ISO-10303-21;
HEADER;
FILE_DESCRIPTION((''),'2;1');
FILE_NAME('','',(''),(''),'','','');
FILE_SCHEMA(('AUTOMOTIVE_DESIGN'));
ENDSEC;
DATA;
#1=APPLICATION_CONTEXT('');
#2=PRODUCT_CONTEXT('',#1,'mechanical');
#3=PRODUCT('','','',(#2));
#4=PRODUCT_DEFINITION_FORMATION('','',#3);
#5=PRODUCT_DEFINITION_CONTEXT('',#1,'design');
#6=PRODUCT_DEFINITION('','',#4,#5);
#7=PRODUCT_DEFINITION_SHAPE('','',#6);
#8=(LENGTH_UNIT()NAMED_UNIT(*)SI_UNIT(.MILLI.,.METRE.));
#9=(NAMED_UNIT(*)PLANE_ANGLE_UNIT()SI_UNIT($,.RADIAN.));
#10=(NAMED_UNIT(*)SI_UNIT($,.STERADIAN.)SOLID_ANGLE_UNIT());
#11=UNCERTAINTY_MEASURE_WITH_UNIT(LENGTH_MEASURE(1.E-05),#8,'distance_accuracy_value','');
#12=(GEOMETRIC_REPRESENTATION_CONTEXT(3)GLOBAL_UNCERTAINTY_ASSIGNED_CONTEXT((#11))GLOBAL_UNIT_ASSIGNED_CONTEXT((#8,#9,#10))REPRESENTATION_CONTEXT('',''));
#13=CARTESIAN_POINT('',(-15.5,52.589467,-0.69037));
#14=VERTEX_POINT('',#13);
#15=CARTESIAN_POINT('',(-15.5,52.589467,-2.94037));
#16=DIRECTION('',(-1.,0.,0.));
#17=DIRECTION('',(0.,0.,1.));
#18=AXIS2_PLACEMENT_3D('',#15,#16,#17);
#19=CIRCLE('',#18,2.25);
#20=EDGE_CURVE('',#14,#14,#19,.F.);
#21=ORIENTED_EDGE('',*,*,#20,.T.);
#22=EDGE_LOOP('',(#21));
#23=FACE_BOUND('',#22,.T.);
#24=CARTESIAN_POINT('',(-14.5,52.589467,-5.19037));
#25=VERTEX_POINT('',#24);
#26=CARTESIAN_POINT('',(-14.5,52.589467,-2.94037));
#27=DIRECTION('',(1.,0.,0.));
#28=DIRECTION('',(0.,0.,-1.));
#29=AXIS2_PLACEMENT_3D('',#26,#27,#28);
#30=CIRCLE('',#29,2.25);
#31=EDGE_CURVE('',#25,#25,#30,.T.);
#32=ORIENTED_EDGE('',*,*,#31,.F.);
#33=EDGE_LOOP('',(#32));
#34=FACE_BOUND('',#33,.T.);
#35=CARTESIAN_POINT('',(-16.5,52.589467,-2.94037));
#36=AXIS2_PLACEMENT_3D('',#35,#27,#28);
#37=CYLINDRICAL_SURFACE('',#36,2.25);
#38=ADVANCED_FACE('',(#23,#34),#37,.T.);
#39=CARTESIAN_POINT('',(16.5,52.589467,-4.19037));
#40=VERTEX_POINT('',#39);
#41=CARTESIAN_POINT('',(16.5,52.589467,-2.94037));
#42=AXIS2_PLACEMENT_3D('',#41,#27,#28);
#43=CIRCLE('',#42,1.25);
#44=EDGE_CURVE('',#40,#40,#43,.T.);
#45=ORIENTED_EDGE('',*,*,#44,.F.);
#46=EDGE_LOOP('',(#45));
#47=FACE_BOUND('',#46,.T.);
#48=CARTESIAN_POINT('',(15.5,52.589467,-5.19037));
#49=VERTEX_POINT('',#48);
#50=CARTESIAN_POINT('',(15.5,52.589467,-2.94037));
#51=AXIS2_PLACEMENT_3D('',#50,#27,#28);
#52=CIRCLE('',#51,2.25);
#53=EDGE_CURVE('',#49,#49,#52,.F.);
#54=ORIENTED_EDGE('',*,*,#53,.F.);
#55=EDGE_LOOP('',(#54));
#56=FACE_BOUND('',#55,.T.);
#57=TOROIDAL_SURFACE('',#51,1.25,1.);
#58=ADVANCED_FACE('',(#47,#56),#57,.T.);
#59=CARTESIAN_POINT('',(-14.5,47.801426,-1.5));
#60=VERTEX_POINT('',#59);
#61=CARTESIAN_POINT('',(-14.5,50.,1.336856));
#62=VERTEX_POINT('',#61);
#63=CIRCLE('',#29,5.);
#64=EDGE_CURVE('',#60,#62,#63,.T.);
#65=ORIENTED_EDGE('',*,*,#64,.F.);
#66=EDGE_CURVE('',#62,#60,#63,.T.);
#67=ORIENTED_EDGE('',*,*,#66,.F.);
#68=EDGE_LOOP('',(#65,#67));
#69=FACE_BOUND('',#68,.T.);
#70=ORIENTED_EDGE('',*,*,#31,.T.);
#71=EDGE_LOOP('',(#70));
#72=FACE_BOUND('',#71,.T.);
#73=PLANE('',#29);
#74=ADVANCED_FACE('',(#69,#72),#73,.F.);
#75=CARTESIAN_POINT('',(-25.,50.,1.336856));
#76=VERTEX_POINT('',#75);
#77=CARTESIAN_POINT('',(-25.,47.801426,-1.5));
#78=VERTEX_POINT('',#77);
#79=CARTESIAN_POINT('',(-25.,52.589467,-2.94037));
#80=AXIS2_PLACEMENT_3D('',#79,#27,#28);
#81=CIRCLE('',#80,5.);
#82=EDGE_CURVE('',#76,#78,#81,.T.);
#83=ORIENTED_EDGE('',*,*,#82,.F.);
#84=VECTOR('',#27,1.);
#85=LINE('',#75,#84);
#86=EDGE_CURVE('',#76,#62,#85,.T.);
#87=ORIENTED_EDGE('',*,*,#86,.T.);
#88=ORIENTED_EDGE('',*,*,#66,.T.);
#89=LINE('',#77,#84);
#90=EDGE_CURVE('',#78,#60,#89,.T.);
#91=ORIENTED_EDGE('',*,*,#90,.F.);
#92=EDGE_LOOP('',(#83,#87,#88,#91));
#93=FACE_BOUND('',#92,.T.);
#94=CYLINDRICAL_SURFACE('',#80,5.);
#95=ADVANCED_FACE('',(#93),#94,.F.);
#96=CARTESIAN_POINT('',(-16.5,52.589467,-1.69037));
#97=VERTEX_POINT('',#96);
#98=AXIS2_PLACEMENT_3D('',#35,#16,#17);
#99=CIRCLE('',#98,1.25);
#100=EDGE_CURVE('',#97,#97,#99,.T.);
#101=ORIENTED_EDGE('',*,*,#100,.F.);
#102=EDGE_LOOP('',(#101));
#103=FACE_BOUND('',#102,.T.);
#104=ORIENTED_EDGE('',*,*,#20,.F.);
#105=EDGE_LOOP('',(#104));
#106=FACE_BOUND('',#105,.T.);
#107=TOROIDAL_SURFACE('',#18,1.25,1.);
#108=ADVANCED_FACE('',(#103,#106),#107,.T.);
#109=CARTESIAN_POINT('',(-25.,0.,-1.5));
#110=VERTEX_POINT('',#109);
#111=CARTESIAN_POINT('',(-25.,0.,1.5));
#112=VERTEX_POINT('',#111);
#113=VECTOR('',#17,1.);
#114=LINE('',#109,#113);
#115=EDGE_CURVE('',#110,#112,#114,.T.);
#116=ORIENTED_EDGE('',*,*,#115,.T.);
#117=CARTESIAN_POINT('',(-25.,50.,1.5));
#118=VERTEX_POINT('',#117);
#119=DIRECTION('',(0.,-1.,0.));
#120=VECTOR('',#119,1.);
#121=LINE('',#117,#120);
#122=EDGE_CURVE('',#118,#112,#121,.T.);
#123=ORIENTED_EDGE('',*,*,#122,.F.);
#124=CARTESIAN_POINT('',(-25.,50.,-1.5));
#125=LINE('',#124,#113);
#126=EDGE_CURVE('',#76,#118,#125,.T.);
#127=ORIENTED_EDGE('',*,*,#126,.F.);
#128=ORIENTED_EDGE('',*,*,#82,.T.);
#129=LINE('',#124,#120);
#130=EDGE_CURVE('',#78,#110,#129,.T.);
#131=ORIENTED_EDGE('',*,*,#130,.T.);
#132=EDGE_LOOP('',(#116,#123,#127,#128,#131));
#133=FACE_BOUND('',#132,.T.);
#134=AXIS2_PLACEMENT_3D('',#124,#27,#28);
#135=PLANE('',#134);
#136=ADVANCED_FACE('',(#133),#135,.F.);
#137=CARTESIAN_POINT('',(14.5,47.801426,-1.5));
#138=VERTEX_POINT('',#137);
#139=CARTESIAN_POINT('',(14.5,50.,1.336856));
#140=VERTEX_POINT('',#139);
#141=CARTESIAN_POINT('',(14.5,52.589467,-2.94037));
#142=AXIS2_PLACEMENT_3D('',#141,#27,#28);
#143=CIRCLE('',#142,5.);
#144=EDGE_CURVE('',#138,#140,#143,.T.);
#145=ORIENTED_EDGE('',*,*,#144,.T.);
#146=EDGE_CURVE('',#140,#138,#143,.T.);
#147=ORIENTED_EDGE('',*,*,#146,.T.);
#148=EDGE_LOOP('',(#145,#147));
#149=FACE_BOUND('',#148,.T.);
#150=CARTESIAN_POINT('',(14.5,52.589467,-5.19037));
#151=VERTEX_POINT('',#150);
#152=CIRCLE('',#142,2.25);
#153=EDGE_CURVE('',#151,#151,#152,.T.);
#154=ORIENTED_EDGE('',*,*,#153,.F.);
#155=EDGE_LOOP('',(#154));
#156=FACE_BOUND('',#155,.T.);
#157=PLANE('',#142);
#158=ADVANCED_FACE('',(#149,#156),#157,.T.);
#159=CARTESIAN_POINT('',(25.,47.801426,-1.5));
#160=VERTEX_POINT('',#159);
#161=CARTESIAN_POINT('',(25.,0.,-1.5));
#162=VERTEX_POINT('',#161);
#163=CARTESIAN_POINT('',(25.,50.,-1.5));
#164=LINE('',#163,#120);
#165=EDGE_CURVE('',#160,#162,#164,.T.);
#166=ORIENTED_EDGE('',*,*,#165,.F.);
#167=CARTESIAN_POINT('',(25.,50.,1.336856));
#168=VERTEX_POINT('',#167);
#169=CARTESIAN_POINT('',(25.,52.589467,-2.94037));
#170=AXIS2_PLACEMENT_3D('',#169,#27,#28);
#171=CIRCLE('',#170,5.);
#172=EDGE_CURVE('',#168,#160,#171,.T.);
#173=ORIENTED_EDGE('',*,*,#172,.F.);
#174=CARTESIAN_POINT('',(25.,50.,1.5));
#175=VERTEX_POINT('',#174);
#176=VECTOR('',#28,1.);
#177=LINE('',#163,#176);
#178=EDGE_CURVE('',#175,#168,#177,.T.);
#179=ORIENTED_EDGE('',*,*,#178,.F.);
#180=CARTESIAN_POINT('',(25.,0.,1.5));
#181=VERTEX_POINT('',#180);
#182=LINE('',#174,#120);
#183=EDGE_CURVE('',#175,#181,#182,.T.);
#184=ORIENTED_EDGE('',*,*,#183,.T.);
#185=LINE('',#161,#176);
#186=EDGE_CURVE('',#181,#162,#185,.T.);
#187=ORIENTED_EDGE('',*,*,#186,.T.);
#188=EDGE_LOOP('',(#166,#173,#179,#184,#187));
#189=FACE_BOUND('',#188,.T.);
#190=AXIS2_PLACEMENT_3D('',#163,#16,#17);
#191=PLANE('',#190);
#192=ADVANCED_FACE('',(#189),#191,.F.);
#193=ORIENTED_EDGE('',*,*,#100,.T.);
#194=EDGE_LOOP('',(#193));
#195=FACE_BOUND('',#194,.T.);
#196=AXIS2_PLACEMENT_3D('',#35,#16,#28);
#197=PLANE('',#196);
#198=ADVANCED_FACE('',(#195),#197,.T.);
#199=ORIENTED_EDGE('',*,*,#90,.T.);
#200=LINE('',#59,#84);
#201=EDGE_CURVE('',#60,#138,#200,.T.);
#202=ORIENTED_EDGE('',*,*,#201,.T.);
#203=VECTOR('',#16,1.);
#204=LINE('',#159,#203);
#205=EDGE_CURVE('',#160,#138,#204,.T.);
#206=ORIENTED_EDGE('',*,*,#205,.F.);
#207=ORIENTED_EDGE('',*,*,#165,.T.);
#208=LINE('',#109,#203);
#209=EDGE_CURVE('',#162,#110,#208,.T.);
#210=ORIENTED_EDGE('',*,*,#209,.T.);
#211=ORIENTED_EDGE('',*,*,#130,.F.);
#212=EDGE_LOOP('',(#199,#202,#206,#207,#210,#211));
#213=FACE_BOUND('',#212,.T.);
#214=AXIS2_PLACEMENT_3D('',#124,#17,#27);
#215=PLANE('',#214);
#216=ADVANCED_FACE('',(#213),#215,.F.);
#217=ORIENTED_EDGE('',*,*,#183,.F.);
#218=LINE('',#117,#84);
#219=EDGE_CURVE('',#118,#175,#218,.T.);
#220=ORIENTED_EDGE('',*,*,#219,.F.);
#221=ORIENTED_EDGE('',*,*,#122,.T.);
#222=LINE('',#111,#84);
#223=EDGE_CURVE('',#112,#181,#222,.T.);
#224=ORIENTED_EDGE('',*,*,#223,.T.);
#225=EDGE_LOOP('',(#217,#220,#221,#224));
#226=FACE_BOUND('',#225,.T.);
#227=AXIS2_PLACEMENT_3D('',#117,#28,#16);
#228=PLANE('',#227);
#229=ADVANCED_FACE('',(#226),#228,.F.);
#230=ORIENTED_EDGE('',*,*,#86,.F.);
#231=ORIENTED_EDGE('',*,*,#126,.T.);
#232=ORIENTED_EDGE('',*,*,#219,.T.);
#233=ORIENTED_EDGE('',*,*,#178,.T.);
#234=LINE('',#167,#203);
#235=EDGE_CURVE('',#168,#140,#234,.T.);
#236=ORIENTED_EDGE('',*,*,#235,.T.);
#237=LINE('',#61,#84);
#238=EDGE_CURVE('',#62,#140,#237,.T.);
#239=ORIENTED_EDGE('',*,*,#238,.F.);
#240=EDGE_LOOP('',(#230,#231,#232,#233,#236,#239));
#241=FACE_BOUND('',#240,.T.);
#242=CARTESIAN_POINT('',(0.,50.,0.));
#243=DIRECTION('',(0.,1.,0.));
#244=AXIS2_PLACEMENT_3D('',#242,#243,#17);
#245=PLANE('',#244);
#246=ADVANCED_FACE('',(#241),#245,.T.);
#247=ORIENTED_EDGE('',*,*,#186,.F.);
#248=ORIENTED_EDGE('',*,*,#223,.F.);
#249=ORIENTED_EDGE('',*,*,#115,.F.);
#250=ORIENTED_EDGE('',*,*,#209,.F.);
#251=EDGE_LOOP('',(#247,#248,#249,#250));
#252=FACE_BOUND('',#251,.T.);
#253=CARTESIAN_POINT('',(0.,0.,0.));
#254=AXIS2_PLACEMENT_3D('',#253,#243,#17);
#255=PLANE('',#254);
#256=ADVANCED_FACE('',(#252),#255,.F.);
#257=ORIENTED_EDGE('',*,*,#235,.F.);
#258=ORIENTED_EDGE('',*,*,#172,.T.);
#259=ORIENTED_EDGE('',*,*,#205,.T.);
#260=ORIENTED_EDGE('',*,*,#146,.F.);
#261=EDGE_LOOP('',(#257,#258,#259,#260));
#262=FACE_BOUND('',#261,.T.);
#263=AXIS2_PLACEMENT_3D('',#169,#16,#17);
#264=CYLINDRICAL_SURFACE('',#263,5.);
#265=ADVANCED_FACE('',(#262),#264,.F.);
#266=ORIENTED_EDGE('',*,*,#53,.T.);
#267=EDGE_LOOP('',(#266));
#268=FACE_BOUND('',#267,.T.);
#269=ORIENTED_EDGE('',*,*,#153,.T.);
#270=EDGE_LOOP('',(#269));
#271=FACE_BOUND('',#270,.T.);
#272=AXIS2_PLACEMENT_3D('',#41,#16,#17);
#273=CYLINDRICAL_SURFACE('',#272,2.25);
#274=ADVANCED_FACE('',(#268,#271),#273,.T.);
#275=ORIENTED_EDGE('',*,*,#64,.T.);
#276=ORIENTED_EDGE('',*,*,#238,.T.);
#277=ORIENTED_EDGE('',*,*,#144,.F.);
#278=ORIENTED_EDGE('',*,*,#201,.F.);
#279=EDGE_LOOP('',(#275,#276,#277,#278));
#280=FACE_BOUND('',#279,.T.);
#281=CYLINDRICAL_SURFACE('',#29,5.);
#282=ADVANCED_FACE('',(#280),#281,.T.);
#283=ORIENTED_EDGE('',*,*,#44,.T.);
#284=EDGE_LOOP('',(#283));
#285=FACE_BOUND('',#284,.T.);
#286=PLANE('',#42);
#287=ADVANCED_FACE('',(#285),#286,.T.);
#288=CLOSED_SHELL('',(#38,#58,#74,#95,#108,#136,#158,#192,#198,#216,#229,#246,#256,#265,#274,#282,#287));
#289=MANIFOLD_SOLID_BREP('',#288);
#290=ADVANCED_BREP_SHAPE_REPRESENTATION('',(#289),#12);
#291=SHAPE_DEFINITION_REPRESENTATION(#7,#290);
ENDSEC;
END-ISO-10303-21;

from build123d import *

# Parameters (mm, degrees)
SKETCH1_W                = 50
SKETCH1_H                = 3
BOSS_EXTRUDE1_DEPTH      = 50
SKETCH2_R                = 5
BOSS_EXTRUDE2_DEPTH      = 14.5
BOSS_EXTRUDE2_DEPTH_BACK = 14.5
SKETCH3_R                = 2.25
BOSS_EXTRUDE3_DEPTH      = 2
FILLET2_R                = 1
FILLET2_OF_MIRROR1_R     = 1
CUT_EXTRUDE1_DEPTH       = 11.5


with BuildPart() as part:
    # Sketch1 → Boss-Extrude1 (new body)
    with BuildSketch(Plane(origin=(0, 0, 0), x_dir=(1, 0, 0), z_dir=(0, 1, 0))):
        Rectangle(SKETCH1_W, SKETCH1_H)
    extrude(amount=BOSS_EXTRUDE1_DEPTH)

    # Sketch2 → Boss-Extrude2 (add, two sides)
    with BuildSketch(Plane(origin=(0, 0, 0), x_dir=(0, 0, -1), z_dir=(1, 0, 0))) as boss_extrude2_sk:
        with Locations((2.940369627, 52.589467232)):
            Circle(SKETCH2_R)
    extrude(amount=BOSS_EXTRUDE2_DEPTH)
    extrude(boss_extrude2_sk.sketch, amount=-BOSS_EXTRUDE2_DEPTH_BACK)

    # Sketch3 → Boss-Extrude3 (add)
    with BuildSketch(Plane(origin=(14.5, 0, 0), x_dir=(0, 0, -1), z_dir=(1, 0, 0))):
        with Locations((2.940369627, 52.589467232)):
            Circle(SKETCH3_R)
    boss_extrude3 = extrude(amount=BOSS_EXTRUDE3_DEPTH)

    # Fillet2
    fillet2_edges = [part.edges().sort_by_distance(p)[0] for p in [
        (16.5, 52.589467232, -0.690369627),
    ]]
    fillet(fillet2_edges, radius=FILLET2_R)

    # Mirror1: Boss-Extrude3 across plane
    add(boss_extrude3.mirror(Plane(origin=(0, 0, 0), x_dir=(0, 0, 1), z_dir=(1, 0, 0))))

    # Fillet2 of Mirror1
    fillet2_of_mirror1_edges = [part.edges().sort_by_distance(p)[0] for p in [
        (-16.5, 52.589467232, -0.690369627),
    ]]
    fillet(fillet2_of_mirror1_edges, radius=FILLET2_OF_MIRROR1_R)

    # Sketch4 → Cut-Extrude1 (cut, through all)
    with BuildSketch(Plane(origin=(14.5, 0, 0), x_dir=(0, 0, -1), z_dir=(1, 0, 0))):
        with BuildLine():
            Line((1.5, 50), (1.5, 47.801426366))
            ThreePointArc((1.5, 47.801426366), (-0.122497577, 48.637398851), (-1.336856045, 50))
            Line((-1.336856045, 50), (1.5, 50))
        make_face()
    cut_extrude1 = extrude(amount=CUT_EXTRUDE1_DEPTH, mode=Mode.SUBTRACT)

    # Mirror2: Cut-Extrude1 across plane
    add(cut_extrude1.mirror(Plane(origin=(0, 0, 0), x_dir=(0, 0, 1), z_dir=(1, 0, 0))), mode=Mode.SUBTRACT)


solid = part.part
